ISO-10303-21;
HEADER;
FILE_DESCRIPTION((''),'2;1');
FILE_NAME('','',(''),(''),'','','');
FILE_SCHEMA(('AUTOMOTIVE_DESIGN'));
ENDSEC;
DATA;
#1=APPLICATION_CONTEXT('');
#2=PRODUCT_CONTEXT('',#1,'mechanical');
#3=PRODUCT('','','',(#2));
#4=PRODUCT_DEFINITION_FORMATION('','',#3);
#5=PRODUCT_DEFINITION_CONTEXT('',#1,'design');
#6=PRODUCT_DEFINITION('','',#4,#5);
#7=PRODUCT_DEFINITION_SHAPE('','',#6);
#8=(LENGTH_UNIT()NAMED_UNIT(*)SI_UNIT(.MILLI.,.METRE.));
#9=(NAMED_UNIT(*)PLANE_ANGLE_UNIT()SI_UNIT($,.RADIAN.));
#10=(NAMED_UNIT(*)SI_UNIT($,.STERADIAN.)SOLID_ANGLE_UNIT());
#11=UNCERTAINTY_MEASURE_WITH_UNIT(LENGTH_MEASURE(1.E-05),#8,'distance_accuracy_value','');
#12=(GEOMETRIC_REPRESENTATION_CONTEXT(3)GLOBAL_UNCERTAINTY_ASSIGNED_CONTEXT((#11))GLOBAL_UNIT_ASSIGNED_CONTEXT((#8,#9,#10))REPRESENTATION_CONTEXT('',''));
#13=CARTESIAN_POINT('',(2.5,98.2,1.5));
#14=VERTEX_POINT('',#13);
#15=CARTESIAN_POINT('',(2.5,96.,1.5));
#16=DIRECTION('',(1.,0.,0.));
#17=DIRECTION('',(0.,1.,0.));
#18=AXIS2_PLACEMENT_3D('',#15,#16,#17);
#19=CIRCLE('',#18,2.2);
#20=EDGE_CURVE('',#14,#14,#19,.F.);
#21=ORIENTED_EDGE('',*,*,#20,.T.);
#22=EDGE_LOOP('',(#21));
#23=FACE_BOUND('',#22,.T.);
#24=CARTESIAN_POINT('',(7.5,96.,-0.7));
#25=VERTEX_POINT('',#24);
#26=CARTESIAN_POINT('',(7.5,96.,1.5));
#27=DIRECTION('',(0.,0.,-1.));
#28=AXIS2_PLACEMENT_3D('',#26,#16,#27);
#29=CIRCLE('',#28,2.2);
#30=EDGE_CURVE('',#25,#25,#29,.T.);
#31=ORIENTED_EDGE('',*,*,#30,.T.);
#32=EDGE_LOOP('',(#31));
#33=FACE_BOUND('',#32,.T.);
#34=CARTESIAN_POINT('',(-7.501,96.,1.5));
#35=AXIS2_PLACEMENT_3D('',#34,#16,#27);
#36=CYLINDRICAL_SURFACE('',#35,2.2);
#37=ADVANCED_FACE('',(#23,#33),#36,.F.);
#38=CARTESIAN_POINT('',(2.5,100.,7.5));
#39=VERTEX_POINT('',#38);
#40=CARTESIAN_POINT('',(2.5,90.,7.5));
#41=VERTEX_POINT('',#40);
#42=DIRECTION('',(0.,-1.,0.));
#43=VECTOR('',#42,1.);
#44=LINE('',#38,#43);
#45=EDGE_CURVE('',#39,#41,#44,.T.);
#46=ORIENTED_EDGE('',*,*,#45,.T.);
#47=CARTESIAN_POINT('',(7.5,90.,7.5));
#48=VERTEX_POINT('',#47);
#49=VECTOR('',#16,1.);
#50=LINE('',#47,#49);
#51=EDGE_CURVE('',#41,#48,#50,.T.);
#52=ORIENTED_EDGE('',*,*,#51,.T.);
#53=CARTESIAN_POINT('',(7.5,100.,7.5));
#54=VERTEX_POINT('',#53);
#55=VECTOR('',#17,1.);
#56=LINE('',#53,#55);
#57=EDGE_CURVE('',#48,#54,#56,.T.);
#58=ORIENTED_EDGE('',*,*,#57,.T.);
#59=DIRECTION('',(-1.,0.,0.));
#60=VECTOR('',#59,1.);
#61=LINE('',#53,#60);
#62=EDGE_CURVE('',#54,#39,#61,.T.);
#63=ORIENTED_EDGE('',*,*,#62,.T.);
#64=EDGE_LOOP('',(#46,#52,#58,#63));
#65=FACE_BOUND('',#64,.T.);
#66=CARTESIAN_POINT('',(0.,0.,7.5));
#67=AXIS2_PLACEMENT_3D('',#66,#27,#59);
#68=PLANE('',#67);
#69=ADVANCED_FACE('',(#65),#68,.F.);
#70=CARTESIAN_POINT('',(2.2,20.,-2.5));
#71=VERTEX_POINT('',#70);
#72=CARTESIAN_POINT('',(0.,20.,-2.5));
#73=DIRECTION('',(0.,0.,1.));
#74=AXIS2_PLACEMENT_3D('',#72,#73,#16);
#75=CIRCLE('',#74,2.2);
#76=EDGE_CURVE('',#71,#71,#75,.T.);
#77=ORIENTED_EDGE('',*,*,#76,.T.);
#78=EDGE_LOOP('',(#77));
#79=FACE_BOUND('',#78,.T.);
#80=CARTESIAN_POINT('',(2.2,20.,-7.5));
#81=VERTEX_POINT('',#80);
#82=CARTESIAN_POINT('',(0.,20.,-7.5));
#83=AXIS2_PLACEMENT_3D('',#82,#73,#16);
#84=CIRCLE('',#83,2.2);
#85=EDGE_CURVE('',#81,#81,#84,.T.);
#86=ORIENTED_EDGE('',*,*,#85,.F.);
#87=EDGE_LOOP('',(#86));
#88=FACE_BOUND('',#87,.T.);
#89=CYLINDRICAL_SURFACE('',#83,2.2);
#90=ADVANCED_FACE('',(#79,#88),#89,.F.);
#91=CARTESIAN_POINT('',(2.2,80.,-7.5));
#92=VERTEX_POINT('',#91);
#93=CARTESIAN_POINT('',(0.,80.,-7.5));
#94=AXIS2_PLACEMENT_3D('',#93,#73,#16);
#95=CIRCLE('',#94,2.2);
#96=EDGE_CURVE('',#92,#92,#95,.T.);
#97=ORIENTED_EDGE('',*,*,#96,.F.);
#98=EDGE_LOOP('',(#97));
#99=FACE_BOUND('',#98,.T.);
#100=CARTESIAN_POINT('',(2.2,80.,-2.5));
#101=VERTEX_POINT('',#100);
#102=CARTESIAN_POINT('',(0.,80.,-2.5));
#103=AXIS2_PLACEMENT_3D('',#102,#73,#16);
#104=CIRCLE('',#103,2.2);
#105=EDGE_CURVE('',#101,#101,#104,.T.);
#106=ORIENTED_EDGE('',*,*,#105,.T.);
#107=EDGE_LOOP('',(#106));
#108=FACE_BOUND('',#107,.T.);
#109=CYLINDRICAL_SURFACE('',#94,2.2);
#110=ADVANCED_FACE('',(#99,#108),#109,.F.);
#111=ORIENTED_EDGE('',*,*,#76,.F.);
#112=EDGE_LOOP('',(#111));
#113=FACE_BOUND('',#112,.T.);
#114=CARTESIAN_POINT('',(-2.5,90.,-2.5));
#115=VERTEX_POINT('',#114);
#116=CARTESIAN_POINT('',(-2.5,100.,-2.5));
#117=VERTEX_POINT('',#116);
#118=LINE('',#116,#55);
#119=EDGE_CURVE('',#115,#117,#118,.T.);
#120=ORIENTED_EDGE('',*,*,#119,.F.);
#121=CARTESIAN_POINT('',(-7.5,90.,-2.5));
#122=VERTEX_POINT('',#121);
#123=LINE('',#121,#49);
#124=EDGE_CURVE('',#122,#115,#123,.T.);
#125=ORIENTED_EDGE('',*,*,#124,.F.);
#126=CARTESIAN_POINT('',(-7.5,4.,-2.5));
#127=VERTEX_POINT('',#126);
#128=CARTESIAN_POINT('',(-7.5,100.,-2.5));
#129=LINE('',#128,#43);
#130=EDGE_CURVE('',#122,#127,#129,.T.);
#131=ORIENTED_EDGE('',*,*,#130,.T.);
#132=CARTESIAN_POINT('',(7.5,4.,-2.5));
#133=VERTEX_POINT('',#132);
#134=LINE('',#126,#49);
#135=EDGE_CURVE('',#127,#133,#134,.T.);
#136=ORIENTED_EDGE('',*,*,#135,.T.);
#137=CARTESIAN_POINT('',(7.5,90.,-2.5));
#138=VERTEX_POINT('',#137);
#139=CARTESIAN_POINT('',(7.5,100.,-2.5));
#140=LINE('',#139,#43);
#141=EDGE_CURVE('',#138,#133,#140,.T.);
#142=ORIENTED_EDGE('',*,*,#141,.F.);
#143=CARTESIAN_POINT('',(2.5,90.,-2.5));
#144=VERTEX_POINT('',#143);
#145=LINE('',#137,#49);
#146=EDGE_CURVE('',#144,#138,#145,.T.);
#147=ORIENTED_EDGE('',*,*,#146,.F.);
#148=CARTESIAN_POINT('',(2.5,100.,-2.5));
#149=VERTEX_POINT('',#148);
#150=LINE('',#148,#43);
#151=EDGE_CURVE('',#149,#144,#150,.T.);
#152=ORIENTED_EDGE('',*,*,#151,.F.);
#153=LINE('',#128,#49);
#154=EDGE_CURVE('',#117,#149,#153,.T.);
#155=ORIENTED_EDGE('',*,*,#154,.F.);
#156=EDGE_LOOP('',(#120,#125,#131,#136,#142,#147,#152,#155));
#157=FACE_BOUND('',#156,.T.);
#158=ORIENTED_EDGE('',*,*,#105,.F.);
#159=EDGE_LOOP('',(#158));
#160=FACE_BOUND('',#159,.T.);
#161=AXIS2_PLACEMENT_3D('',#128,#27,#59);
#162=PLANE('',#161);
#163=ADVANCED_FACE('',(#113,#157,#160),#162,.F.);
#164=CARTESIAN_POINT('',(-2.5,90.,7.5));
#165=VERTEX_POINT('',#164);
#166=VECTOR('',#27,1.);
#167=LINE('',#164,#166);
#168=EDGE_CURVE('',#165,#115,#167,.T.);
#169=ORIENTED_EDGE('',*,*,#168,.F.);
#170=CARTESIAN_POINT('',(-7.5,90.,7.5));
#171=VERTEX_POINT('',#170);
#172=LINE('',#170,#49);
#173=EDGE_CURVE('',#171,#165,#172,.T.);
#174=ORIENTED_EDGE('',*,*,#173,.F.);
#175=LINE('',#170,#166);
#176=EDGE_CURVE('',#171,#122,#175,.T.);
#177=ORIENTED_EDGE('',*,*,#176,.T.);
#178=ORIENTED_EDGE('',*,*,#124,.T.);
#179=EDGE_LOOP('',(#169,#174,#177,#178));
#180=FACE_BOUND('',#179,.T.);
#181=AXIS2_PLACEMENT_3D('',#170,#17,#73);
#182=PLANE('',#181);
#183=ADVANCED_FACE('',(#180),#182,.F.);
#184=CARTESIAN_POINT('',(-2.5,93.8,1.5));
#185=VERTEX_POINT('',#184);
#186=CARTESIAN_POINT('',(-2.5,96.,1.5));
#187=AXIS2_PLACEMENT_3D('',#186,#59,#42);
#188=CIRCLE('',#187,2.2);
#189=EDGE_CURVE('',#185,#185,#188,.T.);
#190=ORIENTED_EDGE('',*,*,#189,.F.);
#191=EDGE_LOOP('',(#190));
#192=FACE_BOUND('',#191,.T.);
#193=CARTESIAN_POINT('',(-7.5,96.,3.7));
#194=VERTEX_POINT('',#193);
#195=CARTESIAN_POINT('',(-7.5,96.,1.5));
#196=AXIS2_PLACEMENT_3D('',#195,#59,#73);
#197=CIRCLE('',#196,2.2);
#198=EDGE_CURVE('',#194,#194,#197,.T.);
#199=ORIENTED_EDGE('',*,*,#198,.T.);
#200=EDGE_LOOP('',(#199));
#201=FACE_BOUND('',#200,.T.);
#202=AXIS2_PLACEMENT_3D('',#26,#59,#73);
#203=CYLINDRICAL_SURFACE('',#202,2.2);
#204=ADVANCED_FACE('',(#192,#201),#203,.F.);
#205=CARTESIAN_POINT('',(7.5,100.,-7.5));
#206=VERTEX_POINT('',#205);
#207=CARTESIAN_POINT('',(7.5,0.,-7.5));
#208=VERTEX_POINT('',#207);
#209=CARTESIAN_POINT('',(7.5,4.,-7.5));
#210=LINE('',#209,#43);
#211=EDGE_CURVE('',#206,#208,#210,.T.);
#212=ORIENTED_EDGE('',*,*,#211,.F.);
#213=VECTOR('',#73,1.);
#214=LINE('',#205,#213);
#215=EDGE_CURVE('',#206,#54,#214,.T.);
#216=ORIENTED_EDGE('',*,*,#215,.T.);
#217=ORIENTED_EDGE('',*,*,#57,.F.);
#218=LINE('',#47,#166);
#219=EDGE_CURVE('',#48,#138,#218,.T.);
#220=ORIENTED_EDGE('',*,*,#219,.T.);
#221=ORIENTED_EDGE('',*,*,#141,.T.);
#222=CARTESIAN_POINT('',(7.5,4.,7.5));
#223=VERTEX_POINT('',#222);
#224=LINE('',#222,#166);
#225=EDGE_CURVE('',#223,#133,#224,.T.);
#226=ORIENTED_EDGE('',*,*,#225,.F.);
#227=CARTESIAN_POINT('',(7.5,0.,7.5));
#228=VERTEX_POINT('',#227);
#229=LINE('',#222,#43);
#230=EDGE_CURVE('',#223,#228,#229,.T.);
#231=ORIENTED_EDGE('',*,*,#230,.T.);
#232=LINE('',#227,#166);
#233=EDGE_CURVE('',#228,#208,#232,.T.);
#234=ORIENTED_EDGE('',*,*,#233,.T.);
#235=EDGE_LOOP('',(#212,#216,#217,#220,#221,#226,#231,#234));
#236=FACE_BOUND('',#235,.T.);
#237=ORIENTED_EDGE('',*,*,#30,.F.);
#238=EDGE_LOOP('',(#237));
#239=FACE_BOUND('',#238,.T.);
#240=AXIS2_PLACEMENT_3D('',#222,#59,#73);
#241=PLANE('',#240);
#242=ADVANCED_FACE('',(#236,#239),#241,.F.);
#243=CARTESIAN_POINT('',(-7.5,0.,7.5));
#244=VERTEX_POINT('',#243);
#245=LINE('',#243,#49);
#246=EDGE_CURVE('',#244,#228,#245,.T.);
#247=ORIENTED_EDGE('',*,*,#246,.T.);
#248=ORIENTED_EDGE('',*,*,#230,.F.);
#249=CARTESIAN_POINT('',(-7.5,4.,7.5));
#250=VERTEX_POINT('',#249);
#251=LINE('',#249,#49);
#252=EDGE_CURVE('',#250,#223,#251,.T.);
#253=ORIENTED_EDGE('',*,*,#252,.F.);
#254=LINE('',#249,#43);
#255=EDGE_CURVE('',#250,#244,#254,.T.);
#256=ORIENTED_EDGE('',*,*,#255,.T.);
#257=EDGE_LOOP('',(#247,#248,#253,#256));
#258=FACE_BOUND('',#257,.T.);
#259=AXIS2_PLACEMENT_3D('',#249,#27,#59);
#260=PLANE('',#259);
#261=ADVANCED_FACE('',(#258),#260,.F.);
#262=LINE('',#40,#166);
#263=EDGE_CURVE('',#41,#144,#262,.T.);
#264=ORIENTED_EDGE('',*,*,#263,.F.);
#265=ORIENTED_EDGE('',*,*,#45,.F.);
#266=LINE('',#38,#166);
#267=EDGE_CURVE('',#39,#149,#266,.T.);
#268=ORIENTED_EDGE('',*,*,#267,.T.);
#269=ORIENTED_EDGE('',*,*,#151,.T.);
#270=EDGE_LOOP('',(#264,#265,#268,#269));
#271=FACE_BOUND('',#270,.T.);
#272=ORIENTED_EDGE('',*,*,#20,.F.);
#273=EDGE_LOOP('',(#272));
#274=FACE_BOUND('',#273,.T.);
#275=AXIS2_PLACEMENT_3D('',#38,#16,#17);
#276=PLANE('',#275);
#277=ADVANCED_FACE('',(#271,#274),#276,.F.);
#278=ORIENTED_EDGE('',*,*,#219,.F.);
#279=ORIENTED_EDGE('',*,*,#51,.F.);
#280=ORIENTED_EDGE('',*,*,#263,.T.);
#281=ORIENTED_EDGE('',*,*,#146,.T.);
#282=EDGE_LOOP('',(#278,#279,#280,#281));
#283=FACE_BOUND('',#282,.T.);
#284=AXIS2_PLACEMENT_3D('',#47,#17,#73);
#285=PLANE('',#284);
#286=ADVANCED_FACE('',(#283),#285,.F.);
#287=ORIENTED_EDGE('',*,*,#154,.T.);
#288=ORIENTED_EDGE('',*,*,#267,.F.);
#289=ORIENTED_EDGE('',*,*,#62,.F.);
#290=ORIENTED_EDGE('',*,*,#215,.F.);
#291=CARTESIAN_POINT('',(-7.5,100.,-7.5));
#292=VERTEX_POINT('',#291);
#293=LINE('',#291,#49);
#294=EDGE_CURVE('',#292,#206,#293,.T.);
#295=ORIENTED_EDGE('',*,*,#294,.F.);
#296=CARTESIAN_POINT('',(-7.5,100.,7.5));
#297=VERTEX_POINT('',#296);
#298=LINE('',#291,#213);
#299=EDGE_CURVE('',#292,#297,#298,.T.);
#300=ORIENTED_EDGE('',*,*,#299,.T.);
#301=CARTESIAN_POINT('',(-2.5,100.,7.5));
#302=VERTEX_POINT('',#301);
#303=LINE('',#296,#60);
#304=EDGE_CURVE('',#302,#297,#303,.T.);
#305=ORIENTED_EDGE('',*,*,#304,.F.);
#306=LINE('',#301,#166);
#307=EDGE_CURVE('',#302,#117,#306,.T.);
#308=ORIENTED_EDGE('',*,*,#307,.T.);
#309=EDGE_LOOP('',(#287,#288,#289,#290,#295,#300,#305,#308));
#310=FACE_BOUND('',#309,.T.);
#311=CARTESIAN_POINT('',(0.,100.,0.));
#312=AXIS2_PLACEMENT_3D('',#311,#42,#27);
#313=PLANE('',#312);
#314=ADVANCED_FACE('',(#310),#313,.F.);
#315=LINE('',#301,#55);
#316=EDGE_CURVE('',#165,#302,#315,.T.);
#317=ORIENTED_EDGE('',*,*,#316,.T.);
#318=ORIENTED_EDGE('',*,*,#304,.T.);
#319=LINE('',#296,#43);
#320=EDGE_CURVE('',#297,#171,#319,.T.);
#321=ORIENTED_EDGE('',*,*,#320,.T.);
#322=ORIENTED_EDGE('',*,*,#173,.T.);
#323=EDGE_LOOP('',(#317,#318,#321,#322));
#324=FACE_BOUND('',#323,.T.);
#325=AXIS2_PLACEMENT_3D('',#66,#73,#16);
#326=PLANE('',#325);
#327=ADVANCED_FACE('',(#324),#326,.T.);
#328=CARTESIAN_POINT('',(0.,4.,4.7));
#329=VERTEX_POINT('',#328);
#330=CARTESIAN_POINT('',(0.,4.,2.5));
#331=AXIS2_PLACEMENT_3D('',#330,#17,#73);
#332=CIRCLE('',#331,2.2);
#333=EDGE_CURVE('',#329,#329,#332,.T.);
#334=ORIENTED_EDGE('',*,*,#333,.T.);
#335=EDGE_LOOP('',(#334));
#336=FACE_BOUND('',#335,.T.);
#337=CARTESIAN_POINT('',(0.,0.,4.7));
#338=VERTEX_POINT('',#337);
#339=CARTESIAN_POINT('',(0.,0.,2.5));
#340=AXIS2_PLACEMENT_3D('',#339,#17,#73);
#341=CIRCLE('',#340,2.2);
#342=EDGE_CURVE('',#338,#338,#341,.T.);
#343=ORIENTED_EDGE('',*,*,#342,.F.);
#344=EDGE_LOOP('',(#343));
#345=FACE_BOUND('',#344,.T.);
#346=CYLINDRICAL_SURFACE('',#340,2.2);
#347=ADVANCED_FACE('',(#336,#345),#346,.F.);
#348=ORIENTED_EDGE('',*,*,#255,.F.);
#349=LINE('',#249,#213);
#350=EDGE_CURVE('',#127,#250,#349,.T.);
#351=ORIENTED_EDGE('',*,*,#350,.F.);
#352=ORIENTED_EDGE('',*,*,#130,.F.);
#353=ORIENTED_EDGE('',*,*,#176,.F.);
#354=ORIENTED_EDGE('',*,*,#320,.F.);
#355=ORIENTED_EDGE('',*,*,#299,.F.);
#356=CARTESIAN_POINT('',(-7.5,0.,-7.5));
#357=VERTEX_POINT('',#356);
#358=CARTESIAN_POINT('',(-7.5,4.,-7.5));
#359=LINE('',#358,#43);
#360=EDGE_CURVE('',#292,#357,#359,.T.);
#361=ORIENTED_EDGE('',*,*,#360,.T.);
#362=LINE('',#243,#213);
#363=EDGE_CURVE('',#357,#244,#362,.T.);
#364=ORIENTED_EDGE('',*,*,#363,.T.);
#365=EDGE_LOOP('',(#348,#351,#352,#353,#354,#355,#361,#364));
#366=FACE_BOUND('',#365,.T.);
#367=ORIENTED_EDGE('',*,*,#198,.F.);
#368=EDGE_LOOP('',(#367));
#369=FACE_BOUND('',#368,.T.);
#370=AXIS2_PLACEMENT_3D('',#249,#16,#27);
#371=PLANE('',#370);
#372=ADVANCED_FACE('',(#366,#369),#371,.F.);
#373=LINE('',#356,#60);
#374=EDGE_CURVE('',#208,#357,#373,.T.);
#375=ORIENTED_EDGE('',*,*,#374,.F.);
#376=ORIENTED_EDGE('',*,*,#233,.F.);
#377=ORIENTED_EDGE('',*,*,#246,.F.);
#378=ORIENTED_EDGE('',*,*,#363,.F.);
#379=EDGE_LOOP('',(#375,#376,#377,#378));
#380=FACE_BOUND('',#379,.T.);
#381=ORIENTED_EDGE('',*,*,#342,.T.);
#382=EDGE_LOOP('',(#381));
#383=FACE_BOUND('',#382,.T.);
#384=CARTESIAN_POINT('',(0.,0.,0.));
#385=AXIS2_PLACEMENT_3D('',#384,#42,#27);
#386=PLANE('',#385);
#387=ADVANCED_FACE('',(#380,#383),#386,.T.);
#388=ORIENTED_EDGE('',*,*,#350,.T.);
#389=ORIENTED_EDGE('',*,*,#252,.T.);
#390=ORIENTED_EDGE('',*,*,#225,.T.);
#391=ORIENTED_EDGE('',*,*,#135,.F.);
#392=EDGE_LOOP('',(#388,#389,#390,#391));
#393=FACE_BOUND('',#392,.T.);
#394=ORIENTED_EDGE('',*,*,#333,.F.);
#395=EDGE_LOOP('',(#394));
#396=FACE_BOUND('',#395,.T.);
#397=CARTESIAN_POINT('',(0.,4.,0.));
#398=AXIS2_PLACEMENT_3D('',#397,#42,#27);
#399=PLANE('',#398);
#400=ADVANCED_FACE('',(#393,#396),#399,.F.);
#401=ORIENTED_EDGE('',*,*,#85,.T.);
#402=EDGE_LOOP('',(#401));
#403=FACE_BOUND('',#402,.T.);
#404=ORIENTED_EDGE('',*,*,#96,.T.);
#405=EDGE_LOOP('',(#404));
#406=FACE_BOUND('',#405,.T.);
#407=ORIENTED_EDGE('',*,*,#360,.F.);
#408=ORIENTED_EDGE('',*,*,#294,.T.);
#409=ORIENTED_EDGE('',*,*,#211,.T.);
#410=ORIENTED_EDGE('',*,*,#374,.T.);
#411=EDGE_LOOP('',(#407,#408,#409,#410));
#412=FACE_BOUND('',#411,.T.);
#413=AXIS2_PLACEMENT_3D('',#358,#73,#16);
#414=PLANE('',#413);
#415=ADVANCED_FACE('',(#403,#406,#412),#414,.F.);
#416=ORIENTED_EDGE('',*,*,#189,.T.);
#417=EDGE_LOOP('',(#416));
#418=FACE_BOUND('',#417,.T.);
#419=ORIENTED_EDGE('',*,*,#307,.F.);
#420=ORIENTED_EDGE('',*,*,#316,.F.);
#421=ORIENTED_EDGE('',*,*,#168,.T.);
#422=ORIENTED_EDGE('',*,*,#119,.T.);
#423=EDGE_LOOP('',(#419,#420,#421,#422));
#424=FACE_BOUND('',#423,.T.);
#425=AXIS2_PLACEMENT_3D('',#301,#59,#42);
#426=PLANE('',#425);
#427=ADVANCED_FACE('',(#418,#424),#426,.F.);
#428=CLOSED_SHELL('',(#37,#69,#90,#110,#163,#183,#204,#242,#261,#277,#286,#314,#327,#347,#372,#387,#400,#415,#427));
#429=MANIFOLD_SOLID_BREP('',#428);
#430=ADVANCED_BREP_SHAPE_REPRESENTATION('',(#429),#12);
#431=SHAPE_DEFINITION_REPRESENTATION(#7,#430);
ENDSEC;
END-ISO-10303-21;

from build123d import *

# Parameters (mm, degrees)
SKIZZE1_W                       = 15
SKIZZE1_H                       = 15
AUFSATZ_LINEAR_AUSTRAGEN1_DEPTH = 4
SKIZZE2_W                       = 15
SKIZZE2_H                       = 5
AUFSATZ_LINEAR_AUSTRAGEN2_DEPTH = 96
SKIZZE3_W                       = 5
SKIZZE3_H                       = 10
AUFSATZ_LINEAR_AUSTRAGEN3_DEPTH = 10
SKIZZE4_R                       = 2.2
SCHNITT_LINEAR_AUSTRAGEN1_DEPTH = 5
SCHNITT_LINEAR_AUSTRAGEN2_REACH = 17
SKIZZE5_R                       = 2.2
SKIZZE6_R                       = 2.2
SCHNITT_LINEAR_AUSTRAGEN3_DEPTH = 16
SKIZZE7_R                       = 2.2
SCHNITT_LINEAR_AUSTRAGEN4_DEPTH = 6


with BuildPart() as part:
    # Skizze1 → Aufsatz-Linear austragen1 (new body)
    with BuildSketch(Plane(origin=(0, 0, 0), x_dir=(1, 0, 0), z_dir=(0, 1, 0))):
        Rectangle(SKIZZE1_W, SKIZZE1_H)
    extrude(amount=AUFSATZ_LINEAR_AUSTRAGEN1_DEPTH)

    # Skizze2 → Aufsatz-Linear austragen2 (add)
    with BuildSketch(Plane(origin=(0, 4, 0), x_dir=(1, 0, 0), z_dir=(0, 1, 0))):
        with Locations((0, 5)):
            Rectangle(SKIZZE2_W, SKIZZE2_H)
    extrude(amount=AUFSATZ_LINEAR_AUSTRAGEN2_DEPTH)

    # Skizze3 → Aufsatz-Linear austragen3 (add)
    with BuildSketch(Plane.XY.offset(-2.5)):
        with Locations((-5, 95)):
            Rectangle(SKIZZE3_W, SKIZZE3_H)
        with Locations((5, 95)):
            Rectangle(SKIZZE3_W, SKIZZE3_H)
    extrude(amount=AUFSATZ_LINEAR_AUSTRAGEN3_DEPTH)

    # Skizze4 → Schnitt-Linear austragen1 (cut, through all)
    with BuildSketch(Plane(origin=(0, 4, 0), x_dir=(1, 0, 0), z_dir=(0, 1, 0))):
        with Locations((0, -2.5)):
            Circle(SKIZZE4_R)
    extrude(amount=-SCHNITT_LINEAR_AUSTRAGEN1_DEPTH, mode=Mode.SUBTRACT)

    # Skizze5 → Schnitt-Linear austragen2 (cut, up to next)
    with BuildSketch(Plane(origin=(7.5, 0, 0), x_dir=(0, 0, -1), z_dir=(1, 0, 0)), mode=Mode.PRIVATE) as schnitt_linear_austragen2_sk1:
        with Locations((-1.5, 96)):
            Circle(SKIZZE5_R)
    schnitt_linear_austragen2_tool1 = extrude(schnitt_linear_austragen2_sk1.sketch, amount=-SCHNITT_LINEAR_AUSTRAGEN2_REACH, mode=Mode.PRIVATE) & part.part
    add(schnitt_linear_austragen2_tool1.solids().sort_by_distance((7.5, 96, 1.5))[0], mode=Mode.SUBTRACT)

    # Skizze6 → Schnitt-Linear austragen3 (cut, through all)
    with BuildSketch(Plane.ZY.offset(7.5)):
        with Locations((1.5, 96)):
            Circle(SKIZZE6_R)
    extrude(amount=-SCHNITT_LINEAR_AUSTRAGEN3_DEPTH, mode=Mode.SUBTRACT)

    # Skizze7 → Schnitt-Linear austragen4 (cut, through all)
    with BuildSketch(Plane.XY.offset(-2.5)):
        with Locations((0, 20)):
            Circle(SKIZZE7_R)
        with Locations((0, 80)):
            Circle(SKIZZE7_R)
    extrude(amount=-SCHNITT_LINEAR_AUSTRAGEN4_DEPTH, mode=Mode.SUBTRACT)


solid = part.part
